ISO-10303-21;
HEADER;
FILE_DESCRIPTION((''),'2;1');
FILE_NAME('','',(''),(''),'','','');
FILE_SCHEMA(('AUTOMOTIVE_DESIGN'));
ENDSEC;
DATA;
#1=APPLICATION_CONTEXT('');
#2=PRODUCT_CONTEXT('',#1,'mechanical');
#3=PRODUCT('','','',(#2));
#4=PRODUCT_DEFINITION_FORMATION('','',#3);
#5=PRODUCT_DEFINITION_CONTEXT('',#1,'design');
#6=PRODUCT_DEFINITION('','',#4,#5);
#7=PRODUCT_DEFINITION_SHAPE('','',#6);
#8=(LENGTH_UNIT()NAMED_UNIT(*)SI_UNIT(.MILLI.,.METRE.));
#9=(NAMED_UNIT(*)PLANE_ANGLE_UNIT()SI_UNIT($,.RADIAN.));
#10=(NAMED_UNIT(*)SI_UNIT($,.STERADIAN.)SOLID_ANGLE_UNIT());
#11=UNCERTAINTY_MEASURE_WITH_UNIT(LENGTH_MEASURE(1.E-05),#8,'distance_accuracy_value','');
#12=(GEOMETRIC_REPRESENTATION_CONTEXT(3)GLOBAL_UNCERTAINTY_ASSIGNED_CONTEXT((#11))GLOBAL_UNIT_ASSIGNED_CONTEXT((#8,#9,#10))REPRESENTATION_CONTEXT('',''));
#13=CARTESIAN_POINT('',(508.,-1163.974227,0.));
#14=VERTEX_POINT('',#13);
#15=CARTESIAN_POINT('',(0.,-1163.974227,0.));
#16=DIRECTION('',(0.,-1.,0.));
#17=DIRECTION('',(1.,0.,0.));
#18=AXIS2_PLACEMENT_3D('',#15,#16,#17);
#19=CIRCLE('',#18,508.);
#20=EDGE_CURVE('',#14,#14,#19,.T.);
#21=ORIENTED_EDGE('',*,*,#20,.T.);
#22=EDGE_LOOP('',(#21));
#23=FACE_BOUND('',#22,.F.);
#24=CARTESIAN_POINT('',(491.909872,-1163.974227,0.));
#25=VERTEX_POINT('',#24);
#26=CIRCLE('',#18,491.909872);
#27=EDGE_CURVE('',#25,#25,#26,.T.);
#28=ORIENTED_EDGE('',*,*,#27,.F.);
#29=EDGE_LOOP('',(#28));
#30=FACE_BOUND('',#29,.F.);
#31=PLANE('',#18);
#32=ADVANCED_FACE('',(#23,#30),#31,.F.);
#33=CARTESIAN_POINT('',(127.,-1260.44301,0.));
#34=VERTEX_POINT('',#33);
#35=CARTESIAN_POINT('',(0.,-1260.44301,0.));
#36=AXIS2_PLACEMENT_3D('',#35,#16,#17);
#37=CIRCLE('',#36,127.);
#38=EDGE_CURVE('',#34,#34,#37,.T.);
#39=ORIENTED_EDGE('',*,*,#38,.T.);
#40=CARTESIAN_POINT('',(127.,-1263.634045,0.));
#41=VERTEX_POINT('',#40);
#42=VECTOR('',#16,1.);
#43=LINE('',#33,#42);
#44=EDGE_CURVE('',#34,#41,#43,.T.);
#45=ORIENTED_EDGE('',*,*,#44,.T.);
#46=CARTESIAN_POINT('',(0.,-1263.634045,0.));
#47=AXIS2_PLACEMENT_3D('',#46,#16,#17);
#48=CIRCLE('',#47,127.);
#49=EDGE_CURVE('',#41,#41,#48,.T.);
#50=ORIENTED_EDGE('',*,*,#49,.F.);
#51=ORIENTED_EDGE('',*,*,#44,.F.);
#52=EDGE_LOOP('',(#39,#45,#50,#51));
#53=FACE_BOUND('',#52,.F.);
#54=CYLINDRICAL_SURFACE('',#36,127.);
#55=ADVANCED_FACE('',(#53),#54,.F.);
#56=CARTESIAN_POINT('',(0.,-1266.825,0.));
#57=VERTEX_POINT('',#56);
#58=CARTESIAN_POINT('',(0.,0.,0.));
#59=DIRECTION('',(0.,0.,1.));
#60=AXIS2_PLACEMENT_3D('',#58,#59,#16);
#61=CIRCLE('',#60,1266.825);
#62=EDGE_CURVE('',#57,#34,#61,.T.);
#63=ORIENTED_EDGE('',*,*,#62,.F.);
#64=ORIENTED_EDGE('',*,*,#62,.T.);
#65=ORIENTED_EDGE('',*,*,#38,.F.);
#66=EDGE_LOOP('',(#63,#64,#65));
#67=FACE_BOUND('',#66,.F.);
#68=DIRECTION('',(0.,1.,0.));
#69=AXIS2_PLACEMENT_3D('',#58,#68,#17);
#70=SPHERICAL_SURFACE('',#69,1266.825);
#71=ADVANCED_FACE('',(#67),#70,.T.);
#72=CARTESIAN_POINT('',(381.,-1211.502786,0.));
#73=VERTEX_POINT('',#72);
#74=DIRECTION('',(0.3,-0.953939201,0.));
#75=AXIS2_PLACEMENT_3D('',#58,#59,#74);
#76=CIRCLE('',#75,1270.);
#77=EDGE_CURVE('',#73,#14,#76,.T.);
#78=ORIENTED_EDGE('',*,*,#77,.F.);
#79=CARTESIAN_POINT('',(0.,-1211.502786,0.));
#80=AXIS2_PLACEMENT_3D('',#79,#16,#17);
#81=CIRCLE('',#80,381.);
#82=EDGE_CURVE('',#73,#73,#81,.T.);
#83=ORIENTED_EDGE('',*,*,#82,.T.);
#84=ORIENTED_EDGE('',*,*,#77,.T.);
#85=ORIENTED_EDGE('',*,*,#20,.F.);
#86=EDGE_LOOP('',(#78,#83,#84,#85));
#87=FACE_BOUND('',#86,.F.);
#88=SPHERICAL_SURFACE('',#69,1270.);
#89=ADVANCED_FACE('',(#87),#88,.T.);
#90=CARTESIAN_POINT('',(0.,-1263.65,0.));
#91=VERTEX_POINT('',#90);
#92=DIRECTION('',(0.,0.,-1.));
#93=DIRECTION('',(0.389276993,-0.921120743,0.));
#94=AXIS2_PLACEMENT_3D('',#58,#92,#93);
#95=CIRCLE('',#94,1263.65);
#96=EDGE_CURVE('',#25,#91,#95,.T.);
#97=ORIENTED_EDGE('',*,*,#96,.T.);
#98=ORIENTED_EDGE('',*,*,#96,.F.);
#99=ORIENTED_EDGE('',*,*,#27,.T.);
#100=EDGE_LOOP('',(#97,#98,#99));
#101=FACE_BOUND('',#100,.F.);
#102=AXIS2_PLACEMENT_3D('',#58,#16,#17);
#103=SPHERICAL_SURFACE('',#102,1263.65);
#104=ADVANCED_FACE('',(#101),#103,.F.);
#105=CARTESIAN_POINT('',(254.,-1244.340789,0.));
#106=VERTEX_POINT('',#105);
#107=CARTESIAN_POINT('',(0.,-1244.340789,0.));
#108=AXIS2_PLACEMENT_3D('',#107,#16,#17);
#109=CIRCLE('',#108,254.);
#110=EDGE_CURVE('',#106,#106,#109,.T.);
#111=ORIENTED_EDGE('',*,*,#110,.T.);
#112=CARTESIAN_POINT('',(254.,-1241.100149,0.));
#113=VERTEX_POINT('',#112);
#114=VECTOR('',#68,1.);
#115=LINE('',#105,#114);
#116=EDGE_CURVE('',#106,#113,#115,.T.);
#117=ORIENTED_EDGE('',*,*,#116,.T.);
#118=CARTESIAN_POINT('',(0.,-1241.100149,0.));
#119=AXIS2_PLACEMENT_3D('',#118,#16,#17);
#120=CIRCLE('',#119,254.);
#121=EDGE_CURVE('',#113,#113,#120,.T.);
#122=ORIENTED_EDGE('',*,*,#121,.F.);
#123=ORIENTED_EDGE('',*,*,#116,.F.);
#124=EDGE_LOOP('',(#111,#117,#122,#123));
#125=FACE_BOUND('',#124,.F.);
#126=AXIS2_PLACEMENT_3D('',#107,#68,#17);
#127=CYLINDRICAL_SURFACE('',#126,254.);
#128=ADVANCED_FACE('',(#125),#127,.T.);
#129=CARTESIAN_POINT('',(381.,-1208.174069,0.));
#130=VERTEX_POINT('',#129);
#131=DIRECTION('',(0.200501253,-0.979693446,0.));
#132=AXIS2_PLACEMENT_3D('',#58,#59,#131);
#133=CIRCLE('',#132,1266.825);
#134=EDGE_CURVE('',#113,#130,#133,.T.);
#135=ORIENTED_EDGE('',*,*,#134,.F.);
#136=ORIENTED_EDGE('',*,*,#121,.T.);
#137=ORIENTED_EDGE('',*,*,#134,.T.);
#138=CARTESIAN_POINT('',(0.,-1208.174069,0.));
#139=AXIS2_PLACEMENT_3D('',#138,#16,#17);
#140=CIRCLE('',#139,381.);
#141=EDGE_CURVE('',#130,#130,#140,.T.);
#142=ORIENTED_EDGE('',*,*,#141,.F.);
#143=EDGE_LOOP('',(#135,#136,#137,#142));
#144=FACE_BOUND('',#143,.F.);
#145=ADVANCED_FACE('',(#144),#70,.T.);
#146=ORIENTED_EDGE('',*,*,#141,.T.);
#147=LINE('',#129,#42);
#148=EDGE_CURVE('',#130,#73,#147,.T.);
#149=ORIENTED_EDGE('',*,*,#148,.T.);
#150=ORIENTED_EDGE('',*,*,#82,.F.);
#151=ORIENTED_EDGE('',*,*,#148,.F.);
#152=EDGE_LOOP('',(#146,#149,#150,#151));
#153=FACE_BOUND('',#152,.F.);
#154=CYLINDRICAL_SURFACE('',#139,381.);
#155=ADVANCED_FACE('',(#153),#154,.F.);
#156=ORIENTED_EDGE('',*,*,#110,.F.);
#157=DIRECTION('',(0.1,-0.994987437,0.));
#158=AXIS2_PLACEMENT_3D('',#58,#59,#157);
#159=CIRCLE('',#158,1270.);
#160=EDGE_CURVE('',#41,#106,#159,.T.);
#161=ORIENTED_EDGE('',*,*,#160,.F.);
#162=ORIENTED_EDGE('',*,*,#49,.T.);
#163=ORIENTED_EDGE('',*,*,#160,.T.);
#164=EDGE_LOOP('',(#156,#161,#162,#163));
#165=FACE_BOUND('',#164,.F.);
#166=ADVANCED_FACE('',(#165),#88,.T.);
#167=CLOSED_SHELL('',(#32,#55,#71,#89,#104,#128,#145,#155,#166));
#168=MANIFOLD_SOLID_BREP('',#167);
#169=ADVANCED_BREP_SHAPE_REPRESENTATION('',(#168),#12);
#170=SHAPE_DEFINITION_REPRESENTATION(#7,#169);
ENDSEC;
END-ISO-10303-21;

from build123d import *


with BuildPart() as f1:
    # F0 (on Top) → F1 (revolve)
    with BuildSketch(Plane.XY):
        with BuildLine():
            ThreePointArc((381, -1208.1740688431), (441.0588132701, -1187.5658734831), (500.0095805332, -1163.9742265188))
            Line((500.0095805332, -1163.9742265188), (491.9098723343, -1163.9742265188))
            ThreePointArc((491.9098723343, -1163.9742265188), (250.9534729382, -1238.4803902042), (0, -1263.65))
            Line((0, -1263.65), (0, -1266.825))
            ThreePointArc((0, -1266.825), (63.5801262199, -1265.2284964286), (127, -1260.4430096696))
            ThreePointArc((127, -1260.4430096696), (190.7453447969, -1252.3824472035), (254, -1241.1001493131))
            ThreePointArc((254, -1241.1001493131), (317.9265350577, -1226.2823080071), (381, -1208.1740688431))
        make_face()
        with BuildLine():
            Line((127, -1260.4430096696), (127, -1263.6340451254))
            ThreePointArc((127, -1263.6340451254), (190.7440888462, -1255.5941591813), (254, -1244.3407893339))
            Line((254, -1244.3407893339), (254, -1241.1001493131))
            ThreePointArc((254, -1241.1001493131), (190.7453447969, -1252.3824472035), (127, -1260.4430096696))
        make_face()
        with BuildLine():
            ThreePointArc((381, -1211.5027857995), (445.1348009163, -1189.4347434867), (508, -1163.9742265188))
            Line((508, -1163.9742265188), (500.0095805332, -1163.9742265188))
            ThreePointArc((500.0095805332, -1163.9742265188), (441.0588132701, -1187.5658734831), (381, -1208.1740688431))
            Line((381, -1208.1740688431), (381, -1211.5027857995))
        make_face()
    revolve(axis=Axis((0, -1266.825, 0), (0, -1, 0)))


solid = f1.part
